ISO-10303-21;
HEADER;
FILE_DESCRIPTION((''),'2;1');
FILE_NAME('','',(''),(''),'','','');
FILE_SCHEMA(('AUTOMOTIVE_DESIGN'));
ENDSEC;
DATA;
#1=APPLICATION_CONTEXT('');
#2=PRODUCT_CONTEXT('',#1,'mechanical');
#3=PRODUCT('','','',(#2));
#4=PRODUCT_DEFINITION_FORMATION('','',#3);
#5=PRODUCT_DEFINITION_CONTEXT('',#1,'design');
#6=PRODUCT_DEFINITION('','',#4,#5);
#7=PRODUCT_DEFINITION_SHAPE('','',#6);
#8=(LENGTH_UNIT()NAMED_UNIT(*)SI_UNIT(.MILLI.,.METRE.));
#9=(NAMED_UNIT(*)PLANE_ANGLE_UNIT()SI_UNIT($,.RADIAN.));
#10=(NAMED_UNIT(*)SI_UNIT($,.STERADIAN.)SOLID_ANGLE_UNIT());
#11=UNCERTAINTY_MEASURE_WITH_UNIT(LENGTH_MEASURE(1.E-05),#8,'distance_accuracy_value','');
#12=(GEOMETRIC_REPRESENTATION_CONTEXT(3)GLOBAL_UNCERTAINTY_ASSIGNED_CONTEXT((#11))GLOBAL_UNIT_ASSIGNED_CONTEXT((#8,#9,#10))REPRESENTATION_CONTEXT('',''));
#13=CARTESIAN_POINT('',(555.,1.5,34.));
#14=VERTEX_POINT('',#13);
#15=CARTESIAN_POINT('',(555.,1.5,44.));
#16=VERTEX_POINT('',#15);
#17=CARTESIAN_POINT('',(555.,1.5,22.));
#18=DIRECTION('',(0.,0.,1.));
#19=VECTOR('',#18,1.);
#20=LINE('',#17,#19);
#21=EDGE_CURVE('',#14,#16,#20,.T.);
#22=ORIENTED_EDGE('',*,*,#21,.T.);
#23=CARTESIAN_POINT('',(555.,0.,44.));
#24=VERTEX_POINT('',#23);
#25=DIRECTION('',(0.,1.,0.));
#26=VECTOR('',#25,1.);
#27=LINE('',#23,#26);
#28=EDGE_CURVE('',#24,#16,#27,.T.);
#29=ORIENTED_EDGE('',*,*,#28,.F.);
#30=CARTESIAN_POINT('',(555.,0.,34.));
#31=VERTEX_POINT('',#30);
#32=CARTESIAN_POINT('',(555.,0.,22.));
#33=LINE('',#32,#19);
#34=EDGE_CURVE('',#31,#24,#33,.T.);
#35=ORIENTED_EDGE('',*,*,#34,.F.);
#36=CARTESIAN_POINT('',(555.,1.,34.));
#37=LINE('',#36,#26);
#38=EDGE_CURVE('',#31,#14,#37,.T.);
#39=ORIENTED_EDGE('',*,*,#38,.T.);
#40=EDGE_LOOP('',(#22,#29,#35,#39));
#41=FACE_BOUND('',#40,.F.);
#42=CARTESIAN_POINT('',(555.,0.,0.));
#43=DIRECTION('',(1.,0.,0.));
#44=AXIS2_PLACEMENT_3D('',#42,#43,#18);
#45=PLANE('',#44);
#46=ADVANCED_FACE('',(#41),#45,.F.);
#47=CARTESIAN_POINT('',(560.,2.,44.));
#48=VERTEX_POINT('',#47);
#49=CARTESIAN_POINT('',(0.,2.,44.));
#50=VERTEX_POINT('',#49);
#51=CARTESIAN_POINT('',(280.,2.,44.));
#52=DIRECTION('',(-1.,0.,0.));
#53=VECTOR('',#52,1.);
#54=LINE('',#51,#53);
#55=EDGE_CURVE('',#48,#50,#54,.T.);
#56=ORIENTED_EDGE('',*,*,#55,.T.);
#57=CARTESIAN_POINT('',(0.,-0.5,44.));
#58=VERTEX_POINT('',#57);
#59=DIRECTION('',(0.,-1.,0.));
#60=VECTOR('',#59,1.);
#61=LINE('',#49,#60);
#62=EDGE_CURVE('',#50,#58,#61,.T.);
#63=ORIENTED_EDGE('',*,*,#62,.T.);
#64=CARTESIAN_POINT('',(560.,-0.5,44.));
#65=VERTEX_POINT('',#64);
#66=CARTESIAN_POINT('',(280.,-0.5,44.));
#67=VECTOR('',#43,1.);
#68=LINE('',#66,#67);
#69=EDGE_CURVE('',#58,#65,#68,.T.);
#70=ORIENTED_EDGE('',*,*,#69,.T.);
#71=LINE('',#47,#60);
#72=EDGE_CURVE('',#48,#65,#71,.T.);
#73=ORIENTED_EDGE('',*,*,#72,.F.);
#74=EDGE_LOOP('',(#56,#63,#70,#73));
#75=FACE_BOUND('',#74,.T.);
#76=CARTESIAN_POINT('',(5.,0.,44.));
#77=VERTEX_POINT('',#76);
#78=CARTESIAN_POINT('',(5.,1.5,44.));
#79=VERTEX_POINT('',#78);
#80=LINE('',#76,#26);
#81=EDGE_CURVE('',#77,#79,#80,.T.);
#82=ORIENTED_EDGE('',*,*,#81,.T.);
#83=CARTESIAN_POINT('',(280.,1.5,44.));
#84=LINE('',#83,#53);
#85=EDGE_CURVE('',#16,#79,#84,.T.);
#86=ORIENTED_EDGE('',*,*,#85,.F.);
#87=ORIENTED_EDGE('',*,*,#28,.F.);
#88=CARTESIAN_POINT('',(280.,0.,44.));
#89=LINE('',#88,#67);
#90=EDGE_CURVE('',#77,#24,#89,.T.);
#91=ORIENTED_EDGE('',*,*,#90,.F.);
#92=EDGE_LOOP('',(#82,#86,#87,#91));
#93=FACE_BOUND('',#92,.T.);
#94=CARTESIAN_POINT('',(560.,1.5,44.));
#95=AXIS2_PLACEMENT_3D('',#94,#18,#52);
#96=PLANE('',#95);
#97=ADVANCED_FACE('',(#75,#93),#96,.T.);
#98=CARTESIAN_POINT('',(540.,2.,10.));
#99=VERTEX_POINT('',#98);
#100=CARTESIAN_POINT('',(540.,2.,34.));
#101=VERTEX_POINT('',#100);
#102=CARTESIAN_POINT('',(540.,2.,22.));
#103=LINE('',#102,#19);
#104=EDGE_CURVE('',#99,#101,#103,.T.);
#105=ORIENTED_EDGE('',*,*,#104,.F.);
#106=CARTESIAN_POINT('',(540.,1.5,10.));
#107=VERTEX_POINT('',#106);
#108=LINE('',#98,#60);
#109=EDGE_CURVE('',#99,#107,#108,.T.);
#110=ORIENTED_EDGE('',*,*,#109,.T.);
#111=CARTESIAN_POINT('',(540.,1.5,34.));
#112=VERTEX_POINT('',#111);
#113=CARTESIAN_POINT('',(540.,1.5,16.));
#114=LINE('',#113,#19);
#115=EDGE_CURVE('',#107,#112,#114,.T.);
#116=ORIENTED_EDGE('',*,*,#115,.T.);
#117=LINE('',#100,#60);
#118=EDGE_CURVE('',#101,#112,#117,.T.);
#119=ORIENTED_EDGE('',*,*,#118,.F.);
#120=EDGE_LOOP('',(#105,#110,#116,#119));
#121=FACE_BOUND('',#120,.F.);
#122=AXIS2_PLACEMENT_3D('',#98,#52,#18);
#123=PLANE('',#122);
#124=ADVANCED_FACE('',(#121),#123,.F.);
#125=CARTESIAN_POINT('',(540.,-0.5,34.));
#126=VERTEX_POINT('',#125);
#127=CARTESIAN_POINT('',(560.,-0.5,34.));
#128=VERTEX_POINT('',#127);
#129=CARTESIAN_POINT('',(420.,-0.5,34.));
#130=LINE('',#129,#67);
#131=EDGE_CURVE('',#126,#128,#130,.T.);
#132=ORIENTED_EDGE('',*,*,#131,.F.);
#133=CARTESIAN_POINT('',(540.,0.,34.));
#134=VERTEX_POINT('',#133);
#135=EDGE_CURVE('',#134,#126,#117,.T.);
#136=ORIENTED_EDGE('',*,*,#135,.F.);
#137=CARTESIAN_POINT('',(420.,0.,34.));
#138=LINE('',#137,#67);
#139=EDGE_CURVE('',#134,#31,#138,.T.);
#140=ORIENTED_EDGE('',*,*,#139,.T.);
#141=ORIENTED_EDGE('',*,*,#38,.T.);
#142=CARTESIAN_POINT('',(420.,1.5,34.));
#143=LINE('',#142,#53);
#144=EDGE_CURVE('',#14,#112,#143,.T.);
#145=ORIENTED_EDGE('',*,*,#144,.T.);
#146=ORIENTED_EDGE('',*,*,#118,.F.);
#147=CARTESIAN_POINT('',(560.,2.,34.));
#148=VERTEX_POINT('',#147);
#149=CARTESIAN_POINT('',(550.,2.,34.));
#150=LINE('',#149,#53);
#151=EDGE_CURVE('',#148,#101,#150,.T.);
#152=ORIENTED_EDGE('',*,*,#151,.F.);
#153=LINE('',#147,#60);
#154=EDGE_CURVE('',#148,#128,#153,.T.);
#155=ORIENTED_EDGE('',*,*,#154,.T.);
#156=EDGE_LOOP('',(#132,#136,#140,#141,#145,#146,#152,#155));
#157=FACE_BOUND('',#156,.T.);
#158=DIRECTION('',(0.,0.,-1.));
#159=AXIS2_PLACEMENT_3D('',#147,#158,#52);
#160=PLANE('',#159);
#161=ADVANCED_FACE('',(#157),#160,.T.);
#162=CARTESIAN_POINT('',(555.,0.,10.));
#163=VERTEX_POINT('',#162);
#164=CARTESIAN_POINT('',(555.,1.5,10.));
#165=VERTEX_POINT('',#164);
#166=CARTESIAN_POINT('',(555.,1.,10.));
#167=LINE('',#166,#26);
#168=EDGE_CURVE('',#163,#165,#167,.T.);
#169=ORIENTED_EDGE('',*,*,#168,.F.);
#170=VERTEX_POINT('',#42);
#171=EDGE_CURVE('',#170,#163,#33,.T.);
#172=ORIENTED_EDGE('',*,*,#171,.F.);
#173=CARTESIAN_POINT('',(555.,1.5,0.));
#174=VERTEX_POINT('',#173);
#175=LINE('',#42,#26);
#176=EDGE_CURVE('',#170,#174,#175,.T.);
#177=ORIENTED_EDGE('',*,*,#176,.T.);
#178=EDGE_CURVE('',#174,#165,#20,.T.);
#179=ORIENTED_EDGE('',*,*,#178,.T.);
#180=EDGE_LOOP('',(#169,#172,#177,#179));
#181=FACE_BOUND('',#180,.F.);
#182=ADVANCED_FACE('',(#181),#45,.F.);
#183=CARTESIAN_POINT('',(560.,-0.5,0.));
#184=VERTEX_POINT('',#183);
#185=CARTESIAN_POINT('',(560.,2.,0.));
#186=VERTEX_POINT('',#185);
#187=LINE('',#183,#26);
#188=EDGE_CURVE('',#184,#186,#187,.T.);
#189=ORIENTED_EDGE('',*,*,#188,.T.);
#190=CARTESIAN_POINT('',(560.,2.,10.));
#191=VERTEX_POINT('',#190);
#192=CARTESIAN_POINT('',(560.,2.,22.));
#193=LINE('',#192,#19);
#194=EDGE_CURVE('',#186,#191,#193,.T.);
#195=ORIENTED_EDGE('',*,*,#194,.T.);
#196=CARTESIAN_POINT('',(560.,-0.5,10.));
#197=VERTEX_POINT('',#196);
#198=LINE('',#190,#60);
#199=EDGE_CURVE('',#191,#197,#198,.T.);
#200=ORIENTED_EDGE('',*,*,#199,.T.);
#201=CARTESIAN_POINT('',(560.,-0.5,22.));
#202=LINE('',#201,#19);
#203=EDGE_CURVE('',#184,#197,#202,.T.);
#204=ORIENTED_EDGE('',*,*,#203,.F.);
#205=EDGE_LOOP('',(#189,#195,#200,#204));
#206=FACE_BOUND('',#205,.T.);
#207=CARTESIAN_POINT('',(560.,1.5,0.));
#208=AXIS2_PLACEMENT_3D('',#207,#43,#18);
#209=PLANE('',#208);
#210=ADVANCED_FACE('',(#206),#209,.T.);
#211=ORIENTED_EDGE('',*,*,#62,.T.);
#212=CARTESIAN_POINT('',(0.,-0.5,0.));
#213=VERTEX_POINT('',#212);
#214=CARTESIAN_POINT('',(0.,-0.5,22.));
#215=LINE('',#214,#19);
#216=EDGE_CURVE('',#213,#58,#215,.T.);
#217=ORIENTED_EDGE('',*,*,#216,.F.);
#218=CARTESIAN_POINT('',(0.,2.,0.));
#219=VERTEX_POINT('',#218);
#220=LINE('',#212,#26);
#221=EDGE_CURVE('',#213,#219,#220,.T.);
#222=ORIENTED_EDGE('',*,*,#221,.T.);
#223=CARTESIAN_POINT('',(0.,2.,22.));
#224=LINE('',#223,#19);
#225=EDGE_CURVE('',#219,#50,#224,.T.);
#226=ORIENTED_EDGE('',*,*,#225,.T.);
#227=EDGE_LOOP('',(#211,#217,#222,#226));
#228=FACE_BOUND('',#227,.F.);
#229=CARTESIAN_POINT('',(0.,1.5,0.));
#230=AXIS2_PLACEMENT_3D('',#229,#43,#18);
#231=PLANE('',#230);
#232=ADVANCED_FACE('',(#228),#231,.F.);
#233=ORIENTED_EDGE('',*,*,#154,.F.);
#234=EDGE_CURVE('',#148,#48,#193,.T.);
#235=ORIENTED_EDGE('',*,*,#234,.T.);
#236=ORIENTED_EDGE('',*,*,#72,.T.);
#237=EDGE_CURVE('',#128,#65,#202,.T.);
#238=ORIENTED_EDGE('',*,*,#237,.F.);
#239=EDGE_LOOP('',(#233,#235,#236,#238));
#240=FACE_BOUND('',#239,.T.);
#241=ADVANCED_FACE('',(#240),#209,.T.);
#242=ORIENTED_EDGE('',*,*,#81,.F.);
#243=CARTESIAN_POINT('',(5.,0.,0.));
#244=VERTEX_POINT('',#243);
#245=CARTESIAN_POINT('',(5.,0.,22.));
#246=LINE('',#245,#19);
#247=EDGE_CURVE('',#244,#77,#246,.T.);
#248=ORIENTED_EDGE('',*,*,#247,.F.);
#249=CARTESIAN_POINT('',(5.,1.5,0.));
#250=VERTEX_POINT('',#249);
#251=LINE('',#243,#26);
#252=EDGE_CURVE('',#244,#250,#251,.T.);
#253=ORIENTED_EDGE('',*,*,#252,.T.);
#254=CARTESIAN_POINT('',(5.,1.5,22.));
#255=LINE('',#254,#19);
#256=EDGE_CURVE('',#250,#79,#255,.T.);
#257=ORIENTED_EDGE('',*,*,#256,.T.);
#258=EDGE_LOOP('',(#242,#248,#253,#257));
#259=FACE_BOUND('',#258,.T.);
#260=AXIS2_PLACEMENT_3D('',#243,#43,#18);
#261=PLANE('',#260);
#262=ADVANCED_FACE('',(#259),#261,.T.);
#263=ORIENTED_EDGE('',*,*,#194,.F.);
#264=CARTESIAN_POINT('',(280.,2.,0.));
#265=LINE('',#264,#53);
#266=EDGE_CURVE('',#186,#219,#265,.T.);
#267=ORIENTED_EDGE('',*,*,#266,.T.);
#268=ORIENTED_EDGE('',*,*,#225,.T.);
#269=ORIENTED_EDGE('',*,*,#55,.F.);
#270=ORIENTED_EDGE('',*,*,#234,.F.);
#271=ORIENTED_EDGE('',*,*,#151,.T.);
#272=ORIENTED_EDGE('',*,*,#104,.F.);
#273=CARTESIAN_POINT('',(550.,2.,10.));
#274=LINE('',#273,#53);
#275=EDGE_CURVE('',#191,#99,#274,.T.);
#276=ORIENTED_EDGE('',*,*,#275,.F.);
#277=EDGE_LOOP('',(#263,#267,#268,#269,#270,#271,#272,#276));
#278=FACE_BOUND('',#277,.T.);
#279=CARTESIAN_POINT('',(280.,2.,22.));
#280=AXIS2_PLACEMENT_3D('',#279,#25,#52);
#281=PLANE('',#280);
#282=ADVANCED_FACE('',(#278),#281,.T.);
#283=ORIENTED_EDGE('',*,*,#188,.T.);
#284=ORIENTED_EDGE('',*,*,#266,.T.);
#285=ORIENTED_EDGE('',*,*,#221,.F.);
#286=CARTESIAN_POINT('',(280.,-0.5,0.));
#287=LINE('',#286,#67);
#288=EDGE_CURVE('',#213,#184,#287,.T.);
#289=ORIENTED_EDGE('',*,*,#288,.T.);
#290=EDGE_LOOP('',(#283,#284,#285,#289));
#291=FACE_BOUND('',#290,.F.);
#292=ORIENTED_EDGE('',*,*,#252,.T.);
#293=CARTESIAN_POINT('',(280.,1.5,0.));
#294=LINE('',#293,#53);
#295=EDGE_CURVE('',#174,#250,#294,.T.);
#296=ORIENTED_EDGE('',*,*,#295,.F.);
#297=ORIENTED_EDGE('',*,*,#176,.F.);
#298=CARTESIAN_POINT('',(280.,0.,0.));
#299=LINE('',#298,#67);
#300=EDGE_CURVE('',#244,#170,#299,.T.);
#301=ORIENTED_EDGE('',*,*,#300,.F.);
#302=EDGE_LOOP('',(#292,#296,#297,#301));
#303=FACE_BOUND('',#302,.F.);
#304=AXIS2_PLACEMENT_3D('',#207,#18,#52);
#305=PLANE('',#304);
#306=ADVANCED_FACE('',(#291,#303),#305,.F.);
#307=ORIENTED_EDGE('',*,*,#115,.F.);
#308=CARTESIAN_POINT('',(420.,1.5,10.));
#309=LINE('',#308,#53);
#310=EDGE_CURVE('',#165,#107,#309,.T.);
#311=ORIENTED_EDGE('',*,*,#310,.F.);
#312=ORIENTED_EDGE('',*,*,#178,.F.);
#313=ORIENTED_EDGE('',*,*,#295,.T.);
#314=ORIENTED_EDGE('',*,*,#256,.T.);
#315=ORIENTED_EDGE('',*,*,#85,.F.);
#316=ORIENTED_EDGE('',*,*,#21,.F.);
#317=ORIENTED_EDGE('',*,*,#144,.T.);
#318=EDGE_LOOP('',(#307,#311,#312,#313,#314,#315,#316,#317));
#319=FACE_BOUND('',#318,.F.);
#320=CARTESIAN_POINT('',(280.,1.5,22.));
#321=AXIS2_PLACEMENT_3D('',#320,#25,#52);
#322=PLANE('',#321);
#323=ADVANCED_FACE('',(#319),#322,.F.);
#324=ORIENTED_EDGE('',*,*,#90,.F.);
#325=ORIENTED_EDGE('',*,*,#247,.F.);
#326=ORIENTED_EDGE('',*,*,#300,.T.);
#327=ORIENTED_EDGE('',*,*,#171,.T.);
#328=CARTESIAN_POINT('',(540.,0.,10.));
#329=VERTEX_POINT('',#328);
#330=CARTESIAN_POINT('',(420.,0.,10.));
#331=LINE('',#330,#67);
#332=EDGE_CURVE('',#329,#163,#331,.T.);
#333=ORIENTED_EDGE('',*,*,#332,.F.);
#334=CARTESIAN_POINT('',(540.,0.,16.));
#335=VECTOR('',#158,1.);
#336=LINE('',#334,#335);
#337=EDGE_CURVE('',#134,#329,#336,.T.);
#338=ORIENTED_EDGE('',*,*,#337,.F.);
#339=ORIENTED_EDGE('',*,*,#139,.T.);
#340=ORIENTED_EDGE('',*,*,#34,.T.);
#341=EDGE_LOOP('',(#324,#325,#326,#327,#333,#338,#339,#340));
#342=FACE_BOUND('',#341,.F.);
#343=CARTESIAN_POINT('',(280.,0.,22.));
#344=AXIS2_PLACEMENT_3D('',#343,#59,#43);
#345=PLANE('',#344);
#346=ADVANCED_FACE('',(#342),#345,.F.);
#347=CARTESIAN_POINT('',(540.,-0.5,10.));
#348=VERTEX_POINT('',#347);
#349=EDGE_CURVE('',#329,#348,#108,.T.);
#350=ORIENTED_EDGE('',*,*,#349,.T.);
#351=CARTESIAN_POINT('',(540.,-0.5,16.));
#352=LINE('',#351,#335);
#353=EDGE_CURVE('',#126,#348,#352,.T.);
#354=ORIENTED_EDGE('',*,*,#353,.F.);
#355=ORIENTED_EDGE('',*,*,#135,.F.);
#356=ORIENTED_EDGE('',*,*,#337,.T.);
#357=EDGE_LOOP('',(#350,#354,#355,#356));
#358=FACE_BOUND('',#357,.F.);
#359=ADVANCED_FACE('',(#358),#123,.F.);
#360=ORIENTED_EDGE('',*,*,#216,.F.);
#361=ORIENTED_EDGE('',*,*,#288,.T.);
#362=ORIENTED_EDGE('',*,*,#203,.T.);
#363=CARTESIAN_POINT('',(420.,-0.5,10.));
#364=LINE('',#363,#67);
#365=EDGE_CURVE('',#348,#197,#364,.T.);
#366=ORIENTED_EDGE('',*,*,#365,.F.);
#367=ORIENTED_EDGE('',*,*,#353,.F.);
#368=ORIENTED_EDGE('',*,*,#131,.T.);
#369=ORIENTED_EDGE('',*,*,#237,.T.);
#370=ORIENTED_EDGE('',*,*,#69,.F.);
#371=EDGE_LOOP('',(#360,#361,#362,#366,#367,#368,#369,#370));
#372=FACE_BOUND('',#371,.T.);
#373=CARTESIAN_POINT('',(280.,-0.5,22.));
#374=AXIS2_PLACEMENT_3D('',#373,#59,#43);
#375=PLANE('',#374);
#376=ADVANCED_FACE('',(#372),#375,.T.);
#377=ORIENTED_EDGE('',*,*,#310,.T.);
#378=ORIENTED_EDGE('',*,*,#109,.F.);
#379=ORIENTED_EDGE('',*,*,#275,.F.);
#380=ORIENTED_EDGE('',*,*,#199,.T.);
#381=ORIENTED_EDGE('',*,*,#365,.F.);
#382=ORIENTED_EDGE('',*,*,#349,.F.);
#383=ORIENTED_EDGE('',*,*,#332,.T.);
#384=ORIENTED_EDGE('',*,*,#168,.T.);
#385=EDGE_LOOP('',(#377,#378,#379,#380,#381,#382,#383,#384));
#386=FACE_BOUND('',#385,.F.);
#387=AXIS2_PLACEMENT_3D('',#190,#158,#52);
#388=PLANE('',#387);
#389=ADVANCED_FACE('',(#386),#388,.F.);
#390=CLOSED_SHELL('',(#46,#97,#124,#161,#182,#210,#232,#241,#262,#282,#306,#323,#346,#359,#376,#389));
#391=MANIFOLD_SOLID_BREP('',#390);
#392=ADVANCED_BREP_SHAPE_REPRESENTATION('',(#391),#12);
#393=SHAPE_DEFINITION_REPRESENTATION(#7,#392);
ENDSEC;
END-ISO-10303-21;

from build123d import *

# Parameters (mm, degrees)
F0_W     = 560
F0_H     = 44
F1_DEPTH = 0.5
F2_W     = 5
F2_H     = 44
F3_DEPTH = 1.5
F4_W     = 560
F4_H     = 44
F5_DEPTH = 0.5
F6_W     = 20
F6_H     = 24
F7_DEPTH = 2.501


with BuildPart() as f1:
    # F0 (on Front) → F1 (new body)
    with BuildSketch(Plane.XZ):
        with Locations((280, 22)):
            Rectangle(F0_W, F0_H)
    extrude(amount=F1_DEPTH)

    # F2 (on face) → F3 (join)
    with BuildSketch(Plane(origin=(0, 0, 0), x_dir=(-1, 0, 0), z_dir=(0, 1, 0))):
        with Locations((-557.5, 22)):
            Rectangle(F2_W, F2_H)
        with Locations((-2.5, 22)):
            Rectangle(F2_W, F2_H)
    extrude(amount=F3_DEPTH)

    # F4 (on face) → F5 (join)
    with BuildSketch(Plane(origin=(0, 1.5, 0), x_dir=(-1, 0, 0), z_dir=(0, 1, 0))):
        with Locations((-280, 22)):
            Rectangle(F4_W, F4_H)
    extrude(amount=F5_DEPTH)

    # F6 (on face) → F7 (cut, through all)
    with BuildSketch(Plane(origin=(0, 2, 0), x_dir=(-1, 0, 0), z_dir=(0, 1, 0))):
        with Locations((-550, 22)):
            Rectangle(F6_W, F6_H)
    extrude(amount=-F7_DEPTH, mode=Mode.SUBTRACT)


solid = f1.part
